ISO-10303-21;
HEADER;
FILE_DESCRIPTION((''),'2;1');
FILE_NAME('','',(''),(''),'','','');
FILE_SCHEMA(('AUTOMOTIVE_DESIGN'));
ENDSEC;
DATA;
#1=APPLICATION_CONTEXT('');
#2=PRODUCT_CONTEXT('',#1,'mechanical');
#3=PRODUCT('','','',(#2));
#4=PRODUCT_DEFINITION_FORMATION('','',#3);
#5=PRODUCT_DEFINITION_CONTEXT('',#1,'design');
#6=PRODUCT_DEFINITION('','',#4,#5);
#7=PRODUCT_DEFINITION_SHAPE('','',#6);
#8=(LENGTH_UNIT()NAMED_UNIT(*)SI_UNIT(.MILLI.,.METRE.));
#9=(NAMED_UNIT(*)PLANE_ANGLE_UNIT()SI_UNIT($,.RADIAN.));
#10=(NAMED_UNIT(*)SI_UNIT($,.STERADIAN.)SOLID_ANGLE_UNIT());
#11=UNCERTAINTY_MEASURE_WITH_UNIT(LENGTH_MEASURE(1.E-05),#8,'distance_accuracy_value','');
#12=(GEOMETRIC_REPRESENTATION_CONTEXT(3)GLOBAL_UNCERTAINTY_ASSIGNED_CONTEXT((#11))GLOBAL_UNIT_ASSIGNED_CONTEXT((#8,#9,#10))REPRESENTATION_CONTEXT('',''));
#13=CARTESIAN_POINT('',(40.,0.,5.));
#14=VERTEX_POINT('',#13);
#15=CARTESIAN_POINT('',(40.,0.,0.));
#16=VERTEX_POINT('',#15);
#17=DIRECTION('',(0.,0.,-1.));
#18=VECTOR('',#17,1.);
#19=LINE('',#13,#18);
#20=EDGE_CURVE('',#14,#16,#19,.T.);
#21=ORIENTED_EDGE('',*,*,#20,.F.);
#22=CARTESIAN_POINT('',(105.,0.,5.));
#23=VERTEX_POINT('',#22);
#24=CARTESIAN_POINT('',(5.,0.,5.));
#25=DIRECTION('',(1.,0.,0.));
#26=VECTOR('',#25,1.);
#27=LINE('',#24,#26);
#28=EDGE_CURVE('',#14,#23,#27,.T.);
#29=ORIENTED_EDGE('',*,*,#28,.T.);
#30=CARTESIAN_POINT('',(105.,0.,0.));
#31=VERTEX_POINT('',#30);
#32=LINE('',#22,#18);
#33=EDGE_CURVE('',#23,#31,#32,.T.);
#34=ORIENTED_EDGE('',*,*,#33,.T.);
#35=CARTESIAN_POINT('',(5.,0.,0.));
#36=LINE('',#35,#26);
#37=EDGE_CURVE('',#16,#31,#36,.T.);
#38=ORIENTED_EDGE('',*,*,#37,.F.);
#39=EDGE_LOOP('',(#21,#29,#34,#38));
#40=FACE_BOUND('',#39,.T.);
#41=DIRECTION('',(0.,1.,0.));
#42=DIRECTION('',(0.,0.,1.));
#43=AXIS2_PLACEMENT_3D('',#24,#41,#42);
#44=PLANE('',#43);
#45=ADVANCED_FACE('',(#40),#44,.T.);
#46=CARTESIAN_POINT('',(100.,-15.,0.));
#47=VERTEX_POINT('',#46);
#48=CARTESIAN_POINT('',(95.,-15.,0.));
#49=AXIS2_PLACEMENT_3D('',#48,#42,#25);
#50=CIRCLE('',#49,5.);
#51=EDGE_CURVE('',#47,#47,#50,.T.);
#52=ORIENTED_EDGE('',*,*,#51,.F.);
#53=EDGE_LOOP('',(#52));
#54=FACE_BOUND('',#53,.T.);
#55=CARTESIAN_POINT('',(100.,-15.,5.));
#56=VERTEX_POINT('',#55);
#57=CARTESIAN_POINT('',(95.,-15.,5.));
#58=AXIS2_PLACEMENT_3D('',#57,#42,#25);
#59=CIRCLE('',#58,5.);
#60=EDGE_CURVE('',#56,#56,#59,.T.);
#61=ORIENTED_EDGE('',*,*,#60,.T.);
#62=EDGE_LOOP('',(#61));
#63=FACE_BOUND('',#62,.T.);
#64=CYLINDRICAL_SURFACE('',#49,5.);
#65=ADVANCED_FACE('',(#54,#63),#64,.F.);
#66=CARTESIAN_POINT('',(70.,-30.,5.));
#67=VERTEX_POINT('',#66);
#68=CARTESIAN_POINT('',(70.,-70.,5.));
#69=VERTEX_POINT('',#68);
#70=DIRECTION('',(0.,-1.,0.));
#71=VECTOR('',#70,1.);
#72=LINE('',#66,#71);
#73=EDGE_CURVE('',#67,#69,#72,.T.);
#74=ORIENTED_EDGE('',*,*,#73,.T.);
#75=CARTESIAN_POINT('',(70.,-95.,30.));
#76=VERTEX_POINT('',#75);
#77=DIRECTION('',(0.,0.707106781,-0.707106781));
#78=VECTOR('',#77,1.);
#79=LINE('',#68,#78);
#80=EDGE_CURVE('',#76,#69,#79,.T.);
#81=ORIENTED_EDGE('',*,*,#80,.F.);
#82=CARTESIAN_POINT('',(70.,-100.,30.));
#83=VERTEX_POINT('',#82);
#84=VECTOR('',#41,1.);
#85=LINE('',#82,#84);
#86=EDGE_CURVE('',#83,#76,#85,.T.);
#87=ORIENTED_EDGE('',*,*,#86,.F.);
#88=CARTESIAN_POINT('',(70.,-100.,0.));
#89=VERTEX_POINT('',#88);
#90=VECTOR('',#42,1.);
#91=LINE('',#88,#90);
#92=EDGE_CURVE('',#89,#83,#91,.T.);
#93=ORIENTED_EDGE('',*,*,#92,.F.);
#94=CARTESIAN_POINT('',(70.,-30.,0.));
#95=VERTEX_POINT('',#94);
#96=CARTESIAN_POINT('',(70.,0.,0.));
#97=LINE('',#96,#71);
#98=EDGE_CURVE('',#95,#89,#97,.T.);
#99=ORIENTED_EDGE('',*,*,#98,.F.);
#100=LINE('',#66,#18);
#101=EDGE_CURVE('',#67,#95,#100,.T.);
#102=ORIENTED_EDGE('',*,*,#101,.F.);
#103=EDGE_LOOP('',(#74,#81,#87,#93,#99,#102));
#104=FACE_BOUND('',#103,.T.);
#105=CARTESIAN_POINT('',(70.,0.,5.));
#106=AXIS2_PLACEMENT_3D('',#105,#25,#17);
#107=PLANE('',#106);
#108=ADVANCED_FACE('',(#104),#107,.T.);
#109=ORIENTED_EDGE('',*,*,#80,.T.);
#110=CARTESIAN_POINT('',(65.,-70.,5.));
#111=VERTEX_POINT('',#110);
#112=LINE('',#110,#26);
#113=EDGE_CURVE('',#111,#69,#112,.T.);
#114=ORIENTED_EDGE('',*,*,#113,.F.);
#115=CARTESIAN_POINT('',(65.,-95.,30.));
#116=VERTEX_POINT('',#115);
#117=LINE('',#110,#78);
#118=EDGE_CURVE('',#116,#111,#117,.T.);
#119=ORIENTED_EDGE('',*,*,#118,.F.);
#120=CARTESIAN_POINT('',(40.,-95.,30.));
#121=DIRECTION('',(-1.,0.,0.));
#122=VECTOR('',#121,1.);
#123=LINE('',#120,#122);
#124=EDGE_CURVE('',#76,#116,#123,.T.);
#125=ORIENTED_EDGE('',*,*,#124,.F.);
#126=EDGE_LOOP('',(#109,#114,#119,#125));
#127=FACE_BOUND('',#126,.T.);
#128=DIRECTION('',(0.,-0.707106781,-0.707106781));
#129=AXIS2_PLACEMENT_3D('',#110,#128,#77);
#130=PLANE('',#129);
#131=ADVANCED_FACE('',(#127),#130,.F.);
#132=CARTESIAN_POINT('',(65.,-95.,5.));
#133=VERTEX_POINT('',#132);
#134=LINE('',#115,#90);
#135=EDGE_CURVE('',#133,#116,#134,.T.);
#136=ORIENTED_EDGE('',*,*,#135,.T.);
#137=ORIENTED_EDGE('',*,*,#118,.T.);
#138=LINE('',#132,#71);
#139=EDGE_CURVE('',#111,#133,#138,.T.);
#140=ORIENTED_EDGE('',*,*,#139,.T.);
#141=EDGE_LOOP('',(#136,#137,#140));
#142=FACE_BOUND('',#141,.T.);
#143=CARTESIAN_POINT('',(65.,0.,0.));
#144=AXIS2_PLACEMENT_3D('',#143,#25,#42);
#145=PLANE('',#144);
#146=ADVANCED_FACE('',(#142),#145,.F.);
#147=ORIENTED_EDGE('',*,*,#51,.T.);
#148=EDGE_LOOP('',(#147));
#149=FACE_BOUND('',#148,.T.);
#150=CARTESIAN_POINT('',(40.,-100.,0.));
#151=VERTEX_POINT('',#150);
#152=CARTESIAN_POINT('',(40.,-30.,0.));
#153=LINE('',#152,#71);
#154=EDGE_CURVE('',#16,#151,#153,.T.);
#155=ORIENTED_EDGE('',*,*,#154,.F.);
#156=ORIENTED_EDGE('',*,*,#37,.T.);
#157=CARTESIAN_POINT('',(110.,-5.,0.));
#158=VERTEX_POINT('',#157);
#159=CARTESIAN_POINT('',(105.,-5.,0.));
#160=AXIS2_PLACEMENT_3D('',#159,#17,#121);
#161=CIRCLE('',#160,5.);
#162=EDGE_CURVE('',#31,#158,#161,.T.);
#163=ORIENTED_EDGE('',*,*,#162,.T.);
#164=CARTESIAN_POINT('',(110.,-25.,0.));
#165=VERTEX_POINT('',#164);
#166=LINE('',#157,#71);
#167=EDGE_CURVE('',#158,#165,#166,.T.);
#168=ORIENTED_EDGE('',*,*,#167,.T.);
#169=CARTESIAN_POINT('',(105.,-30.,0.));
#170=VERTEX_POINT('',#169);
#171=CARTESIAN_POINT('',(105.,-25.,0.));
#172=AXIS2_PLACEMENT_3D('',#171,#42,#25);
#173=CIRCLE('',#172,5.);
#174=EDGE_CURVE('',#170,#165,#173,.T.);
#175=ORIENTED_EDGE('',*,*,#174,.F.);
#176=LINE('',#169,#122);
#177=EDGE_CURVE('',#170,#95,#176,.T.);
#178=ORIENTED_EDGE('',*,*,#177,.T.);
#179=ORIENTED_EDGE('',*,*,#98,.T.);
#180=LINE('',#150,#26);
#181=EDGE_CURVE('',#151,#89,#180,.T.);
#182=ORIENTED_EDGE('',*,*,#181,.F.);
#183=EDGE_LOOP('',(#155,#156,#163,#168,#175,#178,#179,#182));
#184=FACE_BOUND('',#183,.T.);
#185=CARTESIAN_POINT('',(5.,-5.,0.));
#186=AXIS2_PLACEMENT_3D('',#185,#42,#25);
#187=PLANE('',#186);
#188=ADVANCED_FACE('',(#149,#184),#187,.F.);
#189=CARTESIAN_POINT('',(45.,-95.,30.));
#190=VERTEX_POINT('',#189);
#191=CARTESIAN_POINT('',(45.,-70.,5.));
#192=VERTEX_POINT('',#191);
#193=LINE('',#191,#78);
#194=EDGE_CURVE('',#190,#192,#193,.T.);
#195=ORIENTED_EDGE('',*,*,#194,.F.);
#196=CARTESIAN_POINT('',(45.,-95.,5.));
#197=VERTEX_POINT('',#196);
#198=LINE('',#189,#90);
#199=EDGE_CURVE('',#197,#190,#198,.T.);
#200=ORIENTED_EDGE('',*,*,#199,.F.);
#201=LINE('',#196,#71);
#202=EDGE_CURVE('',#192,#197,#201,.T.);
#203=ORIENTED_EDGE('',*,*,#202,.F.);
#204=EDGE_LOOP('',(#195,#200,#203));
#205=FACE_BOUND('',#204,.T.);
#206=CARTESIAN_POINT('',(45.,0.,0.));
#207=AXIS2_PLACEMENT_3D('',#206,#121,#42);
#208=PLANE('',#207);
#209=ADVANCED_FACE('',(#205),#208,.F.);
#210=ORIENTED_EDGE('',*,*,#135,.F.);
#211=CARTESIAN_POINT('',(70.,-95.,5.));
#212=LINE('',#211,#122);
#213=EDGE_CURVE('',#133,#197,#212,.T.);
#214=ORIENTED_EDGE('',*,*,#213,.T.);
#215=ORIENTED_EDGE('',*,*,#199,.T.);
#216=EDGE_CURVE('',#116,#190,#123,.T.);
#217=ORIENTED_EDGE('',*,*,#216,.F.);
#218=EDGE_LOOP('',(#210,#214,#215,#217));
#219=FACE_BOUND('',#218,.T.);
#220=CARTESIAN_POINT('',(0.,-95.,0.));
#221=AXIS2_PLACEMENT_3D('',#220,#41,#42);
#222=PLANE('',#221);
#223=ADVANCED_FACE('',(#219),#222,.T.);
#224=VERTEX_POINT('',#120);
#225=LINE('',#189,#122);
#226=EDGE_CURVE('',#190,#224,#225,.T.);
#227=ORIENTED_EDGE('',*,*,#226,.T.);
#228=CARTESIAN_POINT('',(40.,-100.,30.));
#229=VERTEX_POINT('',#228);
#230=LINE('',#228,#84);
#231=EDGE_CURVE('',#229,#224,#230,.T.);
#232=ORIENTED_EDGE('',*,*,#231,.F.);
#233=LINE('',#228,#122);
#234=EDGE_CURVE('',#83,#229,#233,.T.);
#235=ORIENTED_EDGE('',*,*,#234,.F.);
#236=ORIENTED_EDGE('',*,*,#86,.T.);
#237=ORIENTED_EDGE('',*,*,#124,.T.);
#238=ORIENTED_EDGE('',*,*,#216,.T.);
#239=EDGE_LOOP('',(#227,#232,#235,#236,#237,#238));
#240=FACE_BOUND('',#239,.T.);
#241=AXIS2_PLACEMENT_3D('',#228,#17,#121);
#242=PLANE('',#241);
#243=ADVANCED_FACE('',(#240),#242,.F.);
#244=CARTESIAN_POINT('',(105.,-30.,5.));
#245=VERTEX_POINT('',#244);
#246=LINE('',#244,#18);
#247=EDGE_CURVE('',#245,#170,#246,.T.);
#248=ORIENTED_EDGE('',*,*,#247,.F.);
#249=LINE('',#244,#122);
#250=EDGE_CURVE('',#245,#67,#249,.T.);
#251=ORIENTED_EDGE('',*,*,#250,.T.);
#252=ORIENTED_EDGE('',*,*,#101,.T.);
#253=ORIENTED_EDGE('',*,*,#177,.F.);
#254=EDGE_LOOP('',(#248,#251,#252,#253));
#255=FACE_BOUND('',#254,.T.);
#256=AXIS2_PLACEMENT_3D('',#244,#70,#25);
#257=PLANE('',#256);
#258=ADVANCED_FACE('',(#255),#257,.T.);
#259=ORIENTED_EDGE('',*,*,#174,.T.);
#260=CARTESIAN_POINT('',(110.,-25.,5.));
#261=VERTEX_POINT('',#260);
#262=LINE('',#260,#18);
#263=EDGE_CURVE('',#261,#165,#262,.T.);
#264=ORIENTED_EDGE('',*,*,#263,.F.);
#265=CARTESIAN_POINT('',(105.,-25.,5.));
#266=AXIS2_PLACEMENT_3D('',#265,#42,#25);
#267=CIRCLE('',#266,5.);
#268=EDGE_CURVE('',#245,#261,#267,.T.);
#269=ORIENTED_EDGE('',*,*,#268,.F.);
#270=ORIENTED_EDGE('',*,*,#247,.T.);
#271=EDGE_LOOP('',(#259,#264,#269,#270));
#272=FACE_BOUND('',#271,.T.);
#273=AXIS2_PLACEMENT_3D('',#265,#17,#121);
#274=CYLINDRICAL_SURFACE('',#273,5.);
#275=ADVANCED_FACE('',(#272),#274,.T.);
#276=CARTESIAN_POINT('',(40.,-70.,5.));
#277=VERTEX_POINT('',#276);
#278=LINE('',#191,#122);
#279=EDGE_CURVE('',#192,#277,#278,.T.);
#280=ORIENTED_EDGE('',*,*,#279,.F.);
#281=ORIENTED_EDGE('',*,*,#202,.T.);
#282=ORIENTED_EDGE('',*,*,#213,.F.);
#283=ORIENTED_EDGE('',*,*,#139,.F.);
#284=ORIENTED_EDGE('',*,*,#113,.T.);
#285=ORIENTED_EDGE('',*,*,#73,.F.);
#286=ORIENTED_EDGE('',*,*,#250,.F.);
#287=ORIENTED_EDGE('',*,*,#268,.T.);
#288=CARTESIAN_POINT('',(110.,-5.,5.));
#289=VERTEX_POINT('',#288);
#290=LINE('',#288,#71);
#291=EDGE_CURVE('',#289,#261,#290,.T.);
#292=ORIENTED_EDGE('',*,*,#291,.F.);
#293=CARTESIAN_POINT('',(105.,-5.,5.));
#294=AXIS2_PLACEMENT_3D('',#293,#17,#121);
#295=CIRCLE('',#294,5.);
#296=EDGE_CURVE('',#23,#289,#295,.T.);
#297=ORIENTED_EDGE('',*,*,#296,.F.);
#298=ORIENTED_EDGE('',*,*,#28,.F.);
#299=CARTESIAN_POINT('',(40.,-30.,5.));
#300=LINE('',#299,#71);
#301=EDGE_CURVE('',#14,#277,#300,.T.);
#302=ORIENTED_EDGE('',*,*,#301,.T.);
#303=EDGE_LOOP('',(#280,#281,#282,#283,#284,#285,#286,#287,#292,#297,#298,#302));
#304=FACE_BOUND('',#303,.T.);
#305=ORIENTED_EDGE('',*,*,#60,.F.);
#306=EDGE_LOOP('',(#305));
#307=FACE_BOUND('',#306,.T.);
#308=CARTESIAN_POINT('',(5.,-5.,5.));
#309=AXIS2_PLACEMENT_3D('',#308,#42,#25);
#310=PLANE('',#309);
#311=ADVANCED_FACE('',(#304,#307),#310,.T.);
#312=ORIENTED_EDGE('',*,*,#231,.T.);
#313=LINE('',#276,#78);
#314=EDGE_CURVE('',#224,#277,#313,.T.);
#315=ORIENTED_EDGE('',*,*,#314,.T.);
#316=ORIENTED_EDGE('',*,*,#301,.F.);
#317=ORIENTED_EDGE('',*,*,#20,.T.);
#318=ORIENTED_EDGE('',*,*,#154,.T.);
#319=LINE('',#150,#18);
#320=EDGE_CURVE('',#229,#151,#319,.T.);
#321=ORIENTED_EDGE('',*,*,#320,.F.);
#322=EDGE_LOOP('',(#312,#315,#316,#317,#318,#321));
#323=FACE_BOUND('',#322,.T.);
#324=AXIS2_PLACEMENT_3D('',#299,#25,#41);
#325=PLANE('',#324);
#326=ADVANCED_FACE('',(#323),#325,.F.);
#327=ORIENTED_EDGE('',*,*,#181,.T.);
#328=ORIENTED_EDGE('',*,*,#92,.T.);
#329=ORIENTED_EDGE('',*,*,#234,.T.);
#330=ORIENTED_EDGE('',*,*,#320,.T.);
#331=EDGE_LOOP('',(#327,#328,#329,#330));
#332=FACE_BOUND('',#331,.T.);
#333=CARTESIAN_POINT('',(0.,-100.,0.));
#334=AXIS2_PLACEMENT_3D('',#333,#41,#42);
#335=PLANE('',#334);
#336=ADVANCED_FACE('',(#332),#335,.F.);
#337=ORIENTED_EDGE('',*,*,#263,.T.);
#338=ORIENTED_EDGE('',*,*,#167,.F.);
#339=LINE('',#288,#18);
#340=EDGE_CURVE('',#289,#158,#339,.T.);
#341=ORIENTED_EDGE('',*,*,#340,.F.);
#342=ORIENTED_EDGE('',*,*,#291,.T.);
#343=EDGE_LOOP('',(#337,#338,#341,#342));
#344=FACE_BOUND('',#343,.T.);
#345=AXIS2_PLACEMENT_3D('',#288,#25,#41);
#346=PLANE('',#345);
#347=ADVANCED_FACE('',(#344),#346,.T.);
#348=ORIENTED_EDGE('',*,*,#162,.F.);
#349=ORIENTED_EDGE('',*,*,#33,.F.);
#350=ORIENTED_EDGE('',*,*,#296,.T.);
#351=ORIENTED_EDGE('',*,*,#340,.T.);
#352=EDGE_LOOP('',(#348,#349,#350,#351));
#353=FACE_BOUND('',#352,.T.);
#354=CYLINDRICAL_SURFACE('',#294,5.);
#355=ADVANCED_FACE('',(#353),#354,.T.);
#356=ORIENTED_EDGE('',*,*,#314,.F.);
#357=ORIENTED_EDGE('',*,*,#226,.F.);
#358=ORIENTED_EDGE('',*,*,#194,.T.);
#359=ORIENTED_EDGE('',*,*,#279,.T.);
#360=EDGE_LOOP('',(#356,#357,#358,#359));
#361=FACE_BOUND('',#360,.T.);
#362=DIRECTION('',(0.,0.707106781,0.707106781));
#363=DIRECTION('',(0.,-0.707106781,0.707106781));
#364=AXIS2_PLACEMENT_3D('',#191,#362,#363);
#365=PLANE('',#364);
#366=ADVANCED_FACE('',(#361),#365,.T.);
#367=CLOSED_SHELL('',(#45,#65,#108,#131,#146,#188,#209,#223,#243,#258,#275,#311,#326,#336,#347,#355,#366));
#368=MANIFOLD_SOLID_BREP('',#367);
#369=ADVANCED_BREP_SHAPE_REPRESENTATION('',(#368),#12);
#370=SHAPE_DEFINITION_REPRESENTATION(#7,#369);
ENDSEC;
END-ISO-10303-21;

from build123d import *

# Parameters (mm, degrees)
BOSS_EXTRUDE1_DEPTH = 5
SKETCH2_R           = 5
CUT_EXTRUDE1_DEPTH  = 10
SKETCH3_W           = 30
SKETCH3_H           = 30
BOSS_EXTRUDE2_DEPTH = 5
BOSS_EXTRUDE3_DEPTH = 5
SKETCH6_R           = 5
CUT_EXTRUDE2_DEPTH  = 5
SKETCH7_W           = 46.54134698
SKETCH7_H           = 34.044615897
CUT_EXTRUDE3_DEPTH  = 5


with BuildPart() as part:
    # Sketch1 → Boss-Extrude1 (new body)
    with BuildSketch(Plane.XY):
        with BuildLine():
            Line((5, 0), (70, 0))
            Line((70, 0), (70, -30))
            Line((70, -30), (70, -95))
            Line((70, -95), (40, -95))
            Line((40, -95), (40, -30))
            Line((40, -30), (5, -30))
            ThreePointArc((5, -30), (1.464466094, -28.535533906), (0, -25))
            Line((0, -25), (0, -5))
            ThreePointArc((0, -5), (1.464466094, -1.464466094), (5, 0))
        make_face()
    boss_extrude1 = extrude(amount=BOSS_EXTRUDE1_DEPTH)

    # Sketch2 → Cut-Extrude1 (cut)
    with BuildSketch(Plane.XY.offset(5)):
        with Locations((15, -15)):
            Circle(SKETCH2_R)
    extrude(amount=-CUT_EXTRUDE1_DEPTH, mode=Mode.SUBTRACT)

    # Sketch3 → Boss-Extrude2 (add)
    with BuildSketch(Plane.XZ.offset(95)):
        with Locations((55, 15)):
            Rectangle(SKETCH3_W, SKETCH3_H)
    extrude(amount=BOSS_EXTRUDE2_DEPTH)

    # Sketch4 → Boss-Extrude3 (add)
    with BuildSketch(Plane.ZY.offset(-40)):
        Polygon((5, -70), (30, -95), (5, -95), align=None)
    boss_extrude3 = extrude(amount=-BOSS_EXTRUDE3_DEPTH)

    # Mirror1: Boss-Extrude3 across plane
    add(boss_extrude3.mirror(Plane.ZY.offset(-55)))

    # Mirror2: Boss-Extrude1 across plane
    add(boss_extrude1.mirror(Plane.ZY.offset(-55)))

    # Sketch6 → Cut-Extrude2 (cut)
    with BuildSketch(Plane.XY.offset(5)):
        with Locations((95, -15)):
            Circle(SKETCH6_R)
    extrude(amount=-CUT_EXTRUDE2_DEPTH, mode=Mode.SUBTRACT)

    # Sketch7 → Cut-Extrude3 (cut)
    with BuildSketch(Plane.XY.offset(5)):
        with Locations((16.72932651, -12.977692052)):
            Rectangle(SKETCH7_W, SKETCH7_H)
    extrude(amount=-CUT_EXTRUDE3_DEPTH, mode=Mode.SUBTRACT)


solid = part.part
